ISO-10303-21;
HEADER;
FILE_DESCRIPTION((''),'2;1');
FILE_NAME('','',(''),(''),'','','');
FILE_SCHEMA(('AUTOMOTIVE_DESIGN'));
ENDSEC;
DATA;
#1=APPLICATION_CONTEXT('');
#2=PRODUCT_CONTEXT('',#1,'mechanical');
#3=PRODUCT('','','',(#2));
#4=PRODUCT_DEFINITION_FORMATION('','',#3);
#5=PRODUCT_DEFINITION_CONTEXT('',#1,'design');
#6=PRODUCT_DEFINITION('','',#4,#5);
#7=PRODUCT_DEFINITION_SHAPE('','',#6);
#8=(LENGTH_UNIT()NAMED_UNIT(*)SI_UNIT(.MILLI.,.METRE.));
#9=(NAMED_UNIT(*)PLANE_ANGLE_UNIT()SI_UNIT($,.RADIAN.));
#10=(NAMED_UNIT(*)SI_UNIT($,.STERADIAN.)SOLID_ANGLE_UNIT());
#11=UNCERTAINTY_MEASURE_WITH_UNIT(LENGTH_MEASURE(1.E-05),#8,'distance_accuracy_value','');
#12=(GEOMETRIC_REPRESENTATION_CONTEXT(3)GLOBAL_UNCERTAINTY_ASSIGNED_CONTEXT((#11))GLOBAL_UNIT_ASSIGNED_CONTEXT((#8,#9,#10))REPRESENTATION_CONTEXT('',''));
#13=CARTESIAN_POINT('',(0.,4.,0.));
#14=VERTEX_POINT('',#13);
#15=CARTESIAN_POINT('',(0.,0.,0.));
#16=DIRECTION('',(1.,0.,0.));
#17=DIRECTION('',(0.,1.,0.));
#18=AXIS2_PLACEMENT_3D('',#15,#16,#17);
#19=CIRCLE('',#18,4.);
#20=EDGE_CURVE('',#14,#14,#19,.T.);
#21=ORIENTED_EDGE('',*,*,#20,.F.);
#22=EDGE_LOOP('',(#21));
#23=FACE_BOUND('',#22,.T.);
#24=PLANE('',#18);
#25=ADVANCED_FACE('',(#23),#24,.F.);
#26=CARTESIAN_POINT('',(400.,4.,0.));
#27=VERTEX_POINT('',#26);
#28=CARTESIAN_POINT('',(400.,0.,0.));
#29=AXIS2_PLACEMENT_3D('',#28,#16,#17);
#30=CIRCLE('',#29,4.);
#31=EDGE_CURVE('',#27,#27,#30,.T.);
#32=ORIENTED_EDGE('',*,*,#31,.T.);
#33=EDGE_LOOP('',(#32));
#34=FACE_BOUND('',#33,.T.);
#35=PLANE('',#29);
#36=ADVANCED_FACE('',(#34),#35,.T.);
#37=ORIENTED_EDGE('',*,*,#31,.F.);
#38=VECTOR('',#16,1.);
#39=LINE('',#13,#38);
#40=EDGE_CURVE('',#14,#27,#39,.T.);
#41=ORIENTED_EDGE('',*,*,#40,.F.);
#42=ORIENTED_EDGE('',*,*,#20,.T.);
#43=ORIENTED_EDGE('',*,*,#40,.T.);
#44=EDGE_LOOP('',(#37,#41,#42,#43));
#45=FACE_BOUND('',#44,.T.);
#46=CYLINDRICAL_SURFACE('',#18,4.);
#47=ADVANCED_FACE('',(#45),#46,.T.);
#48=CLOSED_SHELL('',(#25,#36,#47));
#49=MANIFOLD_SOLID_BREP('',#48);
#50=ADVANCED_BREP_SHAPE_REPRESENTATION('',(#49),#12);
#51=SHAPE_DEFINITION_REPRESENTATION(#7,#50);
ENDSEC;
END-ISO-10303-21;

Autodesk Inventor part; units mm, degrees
ref_plane "Start Plane" through (0, 0, 0) normal (1, 0, 0) x (0, 1, 0)
ref_plane "XZ Plane" through (0, 0, 0) normal (0, 1, 0) x (-1, 0, 0)
ref_plane "XY Plane" through (0, 0, 0) normal (0, 0, 1) x (1, 0, 0)
sketch "Main Sketch" plane through (0, 0, 0) normal (0, 0, 1) x (1, 0, 0)
  line L0 (0, 0) -> (400, 0)
  line L1 (0, 0) -> (0, 4)
  line L2 (400, 4) -> (400, 0)
  line L3 (0, 4) -> (400, 4)
  dimension "d3" = 8
revolve "Revolution1" add sketch "Main Sketch" angle 360 about axis through (0, 0, 0) along (1, 0, 0)
equation "\"Length\" = 400"
properties part number "Shaft" material "Steel"
